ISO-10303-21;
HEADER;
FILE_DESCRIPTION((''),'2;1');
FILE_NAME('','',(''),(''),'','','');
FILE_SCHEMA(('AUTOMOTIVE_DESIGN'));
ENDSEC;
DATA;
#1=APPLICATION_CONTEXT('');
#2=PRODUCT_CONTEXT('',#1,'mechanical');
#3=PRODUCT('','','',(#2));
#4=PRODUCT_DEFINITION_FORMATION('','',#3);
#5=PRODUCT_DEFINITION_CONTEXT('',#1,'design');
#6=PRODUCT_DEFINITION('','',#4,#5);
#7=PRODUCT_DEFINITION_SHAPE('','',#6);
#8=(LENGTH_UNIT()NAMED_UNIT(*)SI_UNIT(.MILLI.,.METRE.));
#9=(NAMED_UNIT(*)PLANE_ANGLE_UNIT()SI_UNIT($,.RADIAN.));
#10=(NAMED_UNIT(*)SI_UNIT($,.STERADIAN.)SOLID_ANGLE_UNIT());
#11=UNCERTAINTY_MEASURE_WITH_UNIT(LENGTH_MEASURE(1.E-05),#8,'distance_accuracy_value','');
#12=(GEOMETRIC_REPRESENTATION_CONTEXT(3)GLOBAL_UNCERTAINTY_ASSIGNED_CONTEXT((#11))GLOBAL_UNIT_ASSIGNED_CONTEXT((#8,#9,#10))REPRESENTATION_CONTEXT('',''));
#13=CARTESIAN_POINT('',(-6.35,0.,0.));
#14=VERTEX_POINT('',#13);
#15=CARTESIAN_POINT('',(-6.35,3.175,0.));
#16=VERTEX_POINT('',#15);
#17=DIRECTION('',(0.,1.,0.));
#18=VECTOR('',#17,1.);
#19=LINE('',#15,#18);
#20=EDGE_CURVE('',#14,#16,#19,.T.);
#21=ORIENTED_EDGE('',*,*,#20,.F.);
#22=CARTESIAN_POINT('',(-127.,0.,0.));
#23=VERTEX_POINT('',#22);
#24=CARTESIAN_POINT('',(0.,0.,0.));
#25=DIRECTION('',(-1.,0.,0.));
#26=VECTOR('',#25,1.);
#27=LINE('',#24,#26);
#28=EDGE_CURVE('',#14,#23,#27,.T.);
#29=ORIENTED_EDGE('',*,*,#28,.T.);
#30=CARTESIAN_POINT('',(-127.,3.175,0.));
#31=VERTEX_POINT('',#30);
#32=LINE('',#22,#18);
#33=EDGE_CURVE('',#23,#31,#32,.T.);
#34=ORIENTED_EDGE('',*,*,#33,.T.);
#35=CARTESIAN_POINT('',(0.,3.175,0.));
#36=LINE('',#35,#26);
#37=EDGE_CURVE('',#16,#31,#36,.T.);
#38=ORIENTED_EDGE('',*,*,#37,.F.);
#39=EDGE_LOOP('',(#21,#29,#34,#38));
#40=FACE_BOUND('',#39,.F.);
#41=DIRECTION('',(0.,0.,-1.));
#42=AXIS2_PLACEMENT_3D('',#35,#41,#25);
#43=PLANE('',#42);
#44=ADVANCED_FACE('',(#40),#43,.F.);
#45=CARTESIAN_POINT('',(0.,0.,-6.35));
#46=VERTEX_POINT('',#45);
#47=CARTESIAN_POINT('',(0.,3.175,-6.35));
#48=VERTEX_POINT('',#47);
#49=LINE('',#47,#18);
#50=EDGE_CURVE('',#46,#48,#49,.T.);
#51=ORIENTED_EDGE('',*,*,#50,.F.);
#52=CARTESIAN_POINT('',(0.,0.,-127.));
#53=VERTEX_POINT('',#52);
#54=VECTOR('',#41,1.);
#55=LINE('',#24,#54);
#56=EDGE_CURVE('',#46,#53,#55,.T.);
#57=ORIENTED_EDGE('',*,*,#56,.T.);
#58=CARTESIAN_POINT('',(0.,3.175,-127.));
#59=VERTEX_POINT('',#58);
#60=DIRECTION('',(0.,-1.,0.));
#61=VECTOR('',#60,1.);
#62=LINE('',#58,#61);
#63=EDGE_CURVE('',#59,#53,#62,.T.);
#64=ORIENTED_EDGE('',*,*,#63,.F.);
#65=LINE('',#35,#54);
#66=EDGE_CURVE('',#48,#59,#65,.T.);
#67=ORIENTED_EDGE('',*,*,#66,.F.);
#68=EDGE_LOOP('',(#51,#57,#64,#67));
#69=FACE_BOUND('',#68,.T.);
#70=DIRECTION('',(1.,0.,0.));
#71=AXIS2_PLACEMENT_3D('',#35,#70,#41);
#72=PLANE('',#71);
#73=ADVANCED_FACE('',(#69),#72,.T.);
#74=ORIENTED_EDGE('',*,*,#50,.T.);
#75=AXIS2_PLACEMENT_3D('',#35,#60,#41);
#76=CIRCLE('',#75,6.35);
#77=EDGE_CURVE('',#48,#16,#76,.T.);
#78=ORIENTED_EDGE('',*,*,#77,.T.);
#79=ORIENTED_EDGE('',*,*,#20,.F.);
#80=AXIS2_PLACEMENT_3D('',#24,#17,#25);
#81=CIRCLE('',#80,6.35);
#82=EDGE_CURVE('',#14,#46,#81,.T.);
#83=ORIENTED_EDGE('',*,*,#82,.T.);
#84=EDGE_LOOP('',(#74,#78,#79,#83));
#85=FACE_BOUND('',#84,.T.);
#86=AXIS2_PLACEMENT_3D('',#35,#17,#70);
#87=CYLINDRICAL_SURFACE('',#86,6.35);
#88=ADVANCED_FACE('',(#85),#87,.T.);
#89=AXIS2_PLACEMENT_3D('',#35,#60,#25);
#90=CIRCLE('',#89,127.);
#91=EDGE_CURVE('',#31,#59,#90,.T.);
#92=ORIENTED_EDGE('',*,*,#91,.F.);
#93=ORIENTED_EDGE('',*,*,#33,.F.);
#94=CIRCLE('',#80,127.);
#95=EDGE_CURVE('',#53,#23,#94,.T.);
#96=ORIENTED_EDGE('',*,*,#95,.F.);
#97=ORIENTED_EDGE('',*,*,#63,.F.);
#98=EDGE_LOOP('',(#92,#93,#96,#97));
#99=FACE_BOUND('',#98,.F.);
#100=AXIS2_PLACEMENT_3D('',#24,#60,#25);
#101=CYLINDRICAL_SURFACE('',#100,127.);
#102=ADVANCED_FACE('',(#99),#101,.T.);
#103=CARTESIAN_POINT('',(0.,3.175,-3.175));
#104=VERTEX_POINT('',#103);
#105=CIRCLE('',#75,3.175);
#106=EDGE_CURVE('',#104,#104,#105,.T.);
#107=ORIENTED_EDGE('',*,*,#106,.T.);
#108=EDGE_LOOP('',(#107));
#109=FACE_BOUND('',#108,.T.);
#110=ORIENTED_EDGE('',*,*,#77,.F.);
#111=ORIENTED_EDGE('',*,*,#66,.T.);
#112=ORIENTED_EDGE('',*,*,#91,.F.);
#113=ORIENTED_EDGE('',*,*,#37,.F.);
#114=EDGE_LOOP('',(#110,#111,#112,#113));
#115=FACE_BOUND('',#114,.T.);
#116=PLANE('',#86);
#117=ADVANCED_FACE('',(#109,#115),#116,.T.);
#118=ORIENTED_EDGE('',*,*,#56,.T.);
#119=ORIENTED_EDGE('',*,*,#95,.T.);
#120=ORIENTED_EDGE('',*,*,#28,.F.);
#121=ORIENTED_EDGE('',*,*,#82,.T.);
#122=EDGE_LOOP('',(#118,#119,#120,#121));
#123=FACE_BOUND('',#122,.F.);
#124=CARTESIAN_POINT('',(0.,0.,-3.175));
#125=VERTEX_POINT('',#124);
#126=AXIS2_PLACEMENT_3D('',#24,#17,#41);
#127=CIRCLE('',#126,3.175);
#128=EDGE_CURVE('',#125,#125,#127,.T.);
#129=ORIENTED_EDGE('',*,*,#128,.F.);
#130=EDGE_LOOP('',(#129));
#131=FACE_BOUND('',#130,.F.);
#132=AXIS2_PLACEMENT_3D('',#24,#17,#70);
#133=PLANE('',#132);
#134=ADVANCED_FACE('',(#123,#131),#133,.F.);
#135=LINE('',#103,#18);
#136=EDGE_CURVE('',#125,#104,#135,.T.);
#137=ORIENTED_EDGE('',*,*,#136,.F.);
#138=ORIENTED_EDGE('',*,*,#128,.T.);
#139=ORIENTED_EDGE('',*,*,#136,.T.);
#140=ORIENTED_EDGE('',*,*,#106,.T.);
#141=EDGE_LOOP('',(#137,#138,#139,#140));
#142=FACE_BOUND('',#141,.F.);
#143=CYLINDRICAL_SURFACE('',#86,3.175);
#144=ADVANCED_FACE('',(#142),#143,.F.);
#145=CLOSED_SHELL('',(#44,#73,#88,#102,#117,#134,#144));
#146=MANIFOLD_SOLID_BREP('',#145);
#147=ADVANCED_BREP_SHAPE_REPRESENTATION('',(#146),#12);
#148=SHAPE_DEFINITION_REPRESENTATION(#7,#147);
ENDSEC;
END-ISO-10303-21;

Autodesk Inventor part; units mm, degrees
ref_plane "YZ Plane" through (0, 0, 0) normal (1, 0, 0) x (0, 1, 0)
ref_plane "XZ Plane" through (0, 0, 0) normal (0, 1, 0) x (-1, 0, 0)
ref_plane "XY Plane" through (0, 0, 0) normal (0, 0, 1) x (1, 0, 0)
sketch "Sketch5" plane through (0, 0, 0) normal (0, 1, 0) x (-1, 0, 0)
  line L0 (0, 0) -> (127, 0) construction
  circle A0 centre (0, 0) radius 127
  line L1 (0, 0) -> (127, 0)
  line L2 (0, 0) -> (0, -127)
  dimension "d27" = 254
extrude "Extrusion2" add sketch "Sketch5" along normal blind 3.175
sketch "Sketch6" plane through (0, 3.175, 0) normal (0, 1, 0) x (1, 0, 0)
  circle A0 centre (0, 0) radius 127 projected
  line L0 (0, 0) -> (-127, 0)
  line L1 (0, 0) -> (0, 127)
  line L2 (-127, 0) -> (-147.1811, -31.5463)
  line L3 (-147.1811, -31.5463) -> (-90.1509, -154.4564)
  line L4 (-90.1509, -154.4564) -> (47.5084, -160.3561)
  line L5 (47.5084, -160.3561) -> (160.365, -93.0014)
  line L6 (160.365, -93.0014) -> (183.4453, 199.208)
  line L7 (183.4453, 199.208) -> (0, 127)
extrude "Extrusion3" cut sketch "Sketch6" against normal blind 3.175 contours A0 L0 L1 picked at (43.7214, -72.324)
sketch "Sketch9" plane through (0, 3.175, 0) normal (0, 1, 0) x (1, 0, 0)
  circle A0 centre (0, 0) radius 6.35
  circle A1 centre (0, 0) radius 3.175
  dimension "d37" = 12.7
  dimension "d38" = 6.35
extrude "Extrusion5" add sketch "Sketch9" against normal blind 3.175
sketch "Sketch10" plane through (0, 3.175, 0) normal (0, 1, 0) x (1, 0, 0)
  circle A0 centre (0, 0) radius 3.175
  dimension "d41" = 6.35
extrude "Extrusion6" cut sketch "Sketch10" against normal blind 6.35
sketch "Sketch11" plane through (0, 3.175, 0) normal (0, 1, 0) x (1, 0, 0)
  arc A0 (0, 127) -> (-127, 0) centre (0, 0) ccw projected
  arc A1 (0, 127) -> (0, 127) centre (0, 0) ccw
  line L0 (-127, 0) -> (0, 0)
  line L1 (-127, 0) -> (0, 0)
  line L2 (-120.7842, 39.2452) -> (0, 0)
  circle A2 centre (0, 0) radius 3.175 projected
  line L3 (-102.7452, 74.6487) -> (0, 0)
  line L4 (0, 0) -> (-74.6487, 102.7452)
  line L5 (-39.2452, 120.7842) -> (0, 0)
  point P0 (0, 127)
  dimension "d52" = 90
equation "\"d42\" = d41"
properties part number "swiweller"
